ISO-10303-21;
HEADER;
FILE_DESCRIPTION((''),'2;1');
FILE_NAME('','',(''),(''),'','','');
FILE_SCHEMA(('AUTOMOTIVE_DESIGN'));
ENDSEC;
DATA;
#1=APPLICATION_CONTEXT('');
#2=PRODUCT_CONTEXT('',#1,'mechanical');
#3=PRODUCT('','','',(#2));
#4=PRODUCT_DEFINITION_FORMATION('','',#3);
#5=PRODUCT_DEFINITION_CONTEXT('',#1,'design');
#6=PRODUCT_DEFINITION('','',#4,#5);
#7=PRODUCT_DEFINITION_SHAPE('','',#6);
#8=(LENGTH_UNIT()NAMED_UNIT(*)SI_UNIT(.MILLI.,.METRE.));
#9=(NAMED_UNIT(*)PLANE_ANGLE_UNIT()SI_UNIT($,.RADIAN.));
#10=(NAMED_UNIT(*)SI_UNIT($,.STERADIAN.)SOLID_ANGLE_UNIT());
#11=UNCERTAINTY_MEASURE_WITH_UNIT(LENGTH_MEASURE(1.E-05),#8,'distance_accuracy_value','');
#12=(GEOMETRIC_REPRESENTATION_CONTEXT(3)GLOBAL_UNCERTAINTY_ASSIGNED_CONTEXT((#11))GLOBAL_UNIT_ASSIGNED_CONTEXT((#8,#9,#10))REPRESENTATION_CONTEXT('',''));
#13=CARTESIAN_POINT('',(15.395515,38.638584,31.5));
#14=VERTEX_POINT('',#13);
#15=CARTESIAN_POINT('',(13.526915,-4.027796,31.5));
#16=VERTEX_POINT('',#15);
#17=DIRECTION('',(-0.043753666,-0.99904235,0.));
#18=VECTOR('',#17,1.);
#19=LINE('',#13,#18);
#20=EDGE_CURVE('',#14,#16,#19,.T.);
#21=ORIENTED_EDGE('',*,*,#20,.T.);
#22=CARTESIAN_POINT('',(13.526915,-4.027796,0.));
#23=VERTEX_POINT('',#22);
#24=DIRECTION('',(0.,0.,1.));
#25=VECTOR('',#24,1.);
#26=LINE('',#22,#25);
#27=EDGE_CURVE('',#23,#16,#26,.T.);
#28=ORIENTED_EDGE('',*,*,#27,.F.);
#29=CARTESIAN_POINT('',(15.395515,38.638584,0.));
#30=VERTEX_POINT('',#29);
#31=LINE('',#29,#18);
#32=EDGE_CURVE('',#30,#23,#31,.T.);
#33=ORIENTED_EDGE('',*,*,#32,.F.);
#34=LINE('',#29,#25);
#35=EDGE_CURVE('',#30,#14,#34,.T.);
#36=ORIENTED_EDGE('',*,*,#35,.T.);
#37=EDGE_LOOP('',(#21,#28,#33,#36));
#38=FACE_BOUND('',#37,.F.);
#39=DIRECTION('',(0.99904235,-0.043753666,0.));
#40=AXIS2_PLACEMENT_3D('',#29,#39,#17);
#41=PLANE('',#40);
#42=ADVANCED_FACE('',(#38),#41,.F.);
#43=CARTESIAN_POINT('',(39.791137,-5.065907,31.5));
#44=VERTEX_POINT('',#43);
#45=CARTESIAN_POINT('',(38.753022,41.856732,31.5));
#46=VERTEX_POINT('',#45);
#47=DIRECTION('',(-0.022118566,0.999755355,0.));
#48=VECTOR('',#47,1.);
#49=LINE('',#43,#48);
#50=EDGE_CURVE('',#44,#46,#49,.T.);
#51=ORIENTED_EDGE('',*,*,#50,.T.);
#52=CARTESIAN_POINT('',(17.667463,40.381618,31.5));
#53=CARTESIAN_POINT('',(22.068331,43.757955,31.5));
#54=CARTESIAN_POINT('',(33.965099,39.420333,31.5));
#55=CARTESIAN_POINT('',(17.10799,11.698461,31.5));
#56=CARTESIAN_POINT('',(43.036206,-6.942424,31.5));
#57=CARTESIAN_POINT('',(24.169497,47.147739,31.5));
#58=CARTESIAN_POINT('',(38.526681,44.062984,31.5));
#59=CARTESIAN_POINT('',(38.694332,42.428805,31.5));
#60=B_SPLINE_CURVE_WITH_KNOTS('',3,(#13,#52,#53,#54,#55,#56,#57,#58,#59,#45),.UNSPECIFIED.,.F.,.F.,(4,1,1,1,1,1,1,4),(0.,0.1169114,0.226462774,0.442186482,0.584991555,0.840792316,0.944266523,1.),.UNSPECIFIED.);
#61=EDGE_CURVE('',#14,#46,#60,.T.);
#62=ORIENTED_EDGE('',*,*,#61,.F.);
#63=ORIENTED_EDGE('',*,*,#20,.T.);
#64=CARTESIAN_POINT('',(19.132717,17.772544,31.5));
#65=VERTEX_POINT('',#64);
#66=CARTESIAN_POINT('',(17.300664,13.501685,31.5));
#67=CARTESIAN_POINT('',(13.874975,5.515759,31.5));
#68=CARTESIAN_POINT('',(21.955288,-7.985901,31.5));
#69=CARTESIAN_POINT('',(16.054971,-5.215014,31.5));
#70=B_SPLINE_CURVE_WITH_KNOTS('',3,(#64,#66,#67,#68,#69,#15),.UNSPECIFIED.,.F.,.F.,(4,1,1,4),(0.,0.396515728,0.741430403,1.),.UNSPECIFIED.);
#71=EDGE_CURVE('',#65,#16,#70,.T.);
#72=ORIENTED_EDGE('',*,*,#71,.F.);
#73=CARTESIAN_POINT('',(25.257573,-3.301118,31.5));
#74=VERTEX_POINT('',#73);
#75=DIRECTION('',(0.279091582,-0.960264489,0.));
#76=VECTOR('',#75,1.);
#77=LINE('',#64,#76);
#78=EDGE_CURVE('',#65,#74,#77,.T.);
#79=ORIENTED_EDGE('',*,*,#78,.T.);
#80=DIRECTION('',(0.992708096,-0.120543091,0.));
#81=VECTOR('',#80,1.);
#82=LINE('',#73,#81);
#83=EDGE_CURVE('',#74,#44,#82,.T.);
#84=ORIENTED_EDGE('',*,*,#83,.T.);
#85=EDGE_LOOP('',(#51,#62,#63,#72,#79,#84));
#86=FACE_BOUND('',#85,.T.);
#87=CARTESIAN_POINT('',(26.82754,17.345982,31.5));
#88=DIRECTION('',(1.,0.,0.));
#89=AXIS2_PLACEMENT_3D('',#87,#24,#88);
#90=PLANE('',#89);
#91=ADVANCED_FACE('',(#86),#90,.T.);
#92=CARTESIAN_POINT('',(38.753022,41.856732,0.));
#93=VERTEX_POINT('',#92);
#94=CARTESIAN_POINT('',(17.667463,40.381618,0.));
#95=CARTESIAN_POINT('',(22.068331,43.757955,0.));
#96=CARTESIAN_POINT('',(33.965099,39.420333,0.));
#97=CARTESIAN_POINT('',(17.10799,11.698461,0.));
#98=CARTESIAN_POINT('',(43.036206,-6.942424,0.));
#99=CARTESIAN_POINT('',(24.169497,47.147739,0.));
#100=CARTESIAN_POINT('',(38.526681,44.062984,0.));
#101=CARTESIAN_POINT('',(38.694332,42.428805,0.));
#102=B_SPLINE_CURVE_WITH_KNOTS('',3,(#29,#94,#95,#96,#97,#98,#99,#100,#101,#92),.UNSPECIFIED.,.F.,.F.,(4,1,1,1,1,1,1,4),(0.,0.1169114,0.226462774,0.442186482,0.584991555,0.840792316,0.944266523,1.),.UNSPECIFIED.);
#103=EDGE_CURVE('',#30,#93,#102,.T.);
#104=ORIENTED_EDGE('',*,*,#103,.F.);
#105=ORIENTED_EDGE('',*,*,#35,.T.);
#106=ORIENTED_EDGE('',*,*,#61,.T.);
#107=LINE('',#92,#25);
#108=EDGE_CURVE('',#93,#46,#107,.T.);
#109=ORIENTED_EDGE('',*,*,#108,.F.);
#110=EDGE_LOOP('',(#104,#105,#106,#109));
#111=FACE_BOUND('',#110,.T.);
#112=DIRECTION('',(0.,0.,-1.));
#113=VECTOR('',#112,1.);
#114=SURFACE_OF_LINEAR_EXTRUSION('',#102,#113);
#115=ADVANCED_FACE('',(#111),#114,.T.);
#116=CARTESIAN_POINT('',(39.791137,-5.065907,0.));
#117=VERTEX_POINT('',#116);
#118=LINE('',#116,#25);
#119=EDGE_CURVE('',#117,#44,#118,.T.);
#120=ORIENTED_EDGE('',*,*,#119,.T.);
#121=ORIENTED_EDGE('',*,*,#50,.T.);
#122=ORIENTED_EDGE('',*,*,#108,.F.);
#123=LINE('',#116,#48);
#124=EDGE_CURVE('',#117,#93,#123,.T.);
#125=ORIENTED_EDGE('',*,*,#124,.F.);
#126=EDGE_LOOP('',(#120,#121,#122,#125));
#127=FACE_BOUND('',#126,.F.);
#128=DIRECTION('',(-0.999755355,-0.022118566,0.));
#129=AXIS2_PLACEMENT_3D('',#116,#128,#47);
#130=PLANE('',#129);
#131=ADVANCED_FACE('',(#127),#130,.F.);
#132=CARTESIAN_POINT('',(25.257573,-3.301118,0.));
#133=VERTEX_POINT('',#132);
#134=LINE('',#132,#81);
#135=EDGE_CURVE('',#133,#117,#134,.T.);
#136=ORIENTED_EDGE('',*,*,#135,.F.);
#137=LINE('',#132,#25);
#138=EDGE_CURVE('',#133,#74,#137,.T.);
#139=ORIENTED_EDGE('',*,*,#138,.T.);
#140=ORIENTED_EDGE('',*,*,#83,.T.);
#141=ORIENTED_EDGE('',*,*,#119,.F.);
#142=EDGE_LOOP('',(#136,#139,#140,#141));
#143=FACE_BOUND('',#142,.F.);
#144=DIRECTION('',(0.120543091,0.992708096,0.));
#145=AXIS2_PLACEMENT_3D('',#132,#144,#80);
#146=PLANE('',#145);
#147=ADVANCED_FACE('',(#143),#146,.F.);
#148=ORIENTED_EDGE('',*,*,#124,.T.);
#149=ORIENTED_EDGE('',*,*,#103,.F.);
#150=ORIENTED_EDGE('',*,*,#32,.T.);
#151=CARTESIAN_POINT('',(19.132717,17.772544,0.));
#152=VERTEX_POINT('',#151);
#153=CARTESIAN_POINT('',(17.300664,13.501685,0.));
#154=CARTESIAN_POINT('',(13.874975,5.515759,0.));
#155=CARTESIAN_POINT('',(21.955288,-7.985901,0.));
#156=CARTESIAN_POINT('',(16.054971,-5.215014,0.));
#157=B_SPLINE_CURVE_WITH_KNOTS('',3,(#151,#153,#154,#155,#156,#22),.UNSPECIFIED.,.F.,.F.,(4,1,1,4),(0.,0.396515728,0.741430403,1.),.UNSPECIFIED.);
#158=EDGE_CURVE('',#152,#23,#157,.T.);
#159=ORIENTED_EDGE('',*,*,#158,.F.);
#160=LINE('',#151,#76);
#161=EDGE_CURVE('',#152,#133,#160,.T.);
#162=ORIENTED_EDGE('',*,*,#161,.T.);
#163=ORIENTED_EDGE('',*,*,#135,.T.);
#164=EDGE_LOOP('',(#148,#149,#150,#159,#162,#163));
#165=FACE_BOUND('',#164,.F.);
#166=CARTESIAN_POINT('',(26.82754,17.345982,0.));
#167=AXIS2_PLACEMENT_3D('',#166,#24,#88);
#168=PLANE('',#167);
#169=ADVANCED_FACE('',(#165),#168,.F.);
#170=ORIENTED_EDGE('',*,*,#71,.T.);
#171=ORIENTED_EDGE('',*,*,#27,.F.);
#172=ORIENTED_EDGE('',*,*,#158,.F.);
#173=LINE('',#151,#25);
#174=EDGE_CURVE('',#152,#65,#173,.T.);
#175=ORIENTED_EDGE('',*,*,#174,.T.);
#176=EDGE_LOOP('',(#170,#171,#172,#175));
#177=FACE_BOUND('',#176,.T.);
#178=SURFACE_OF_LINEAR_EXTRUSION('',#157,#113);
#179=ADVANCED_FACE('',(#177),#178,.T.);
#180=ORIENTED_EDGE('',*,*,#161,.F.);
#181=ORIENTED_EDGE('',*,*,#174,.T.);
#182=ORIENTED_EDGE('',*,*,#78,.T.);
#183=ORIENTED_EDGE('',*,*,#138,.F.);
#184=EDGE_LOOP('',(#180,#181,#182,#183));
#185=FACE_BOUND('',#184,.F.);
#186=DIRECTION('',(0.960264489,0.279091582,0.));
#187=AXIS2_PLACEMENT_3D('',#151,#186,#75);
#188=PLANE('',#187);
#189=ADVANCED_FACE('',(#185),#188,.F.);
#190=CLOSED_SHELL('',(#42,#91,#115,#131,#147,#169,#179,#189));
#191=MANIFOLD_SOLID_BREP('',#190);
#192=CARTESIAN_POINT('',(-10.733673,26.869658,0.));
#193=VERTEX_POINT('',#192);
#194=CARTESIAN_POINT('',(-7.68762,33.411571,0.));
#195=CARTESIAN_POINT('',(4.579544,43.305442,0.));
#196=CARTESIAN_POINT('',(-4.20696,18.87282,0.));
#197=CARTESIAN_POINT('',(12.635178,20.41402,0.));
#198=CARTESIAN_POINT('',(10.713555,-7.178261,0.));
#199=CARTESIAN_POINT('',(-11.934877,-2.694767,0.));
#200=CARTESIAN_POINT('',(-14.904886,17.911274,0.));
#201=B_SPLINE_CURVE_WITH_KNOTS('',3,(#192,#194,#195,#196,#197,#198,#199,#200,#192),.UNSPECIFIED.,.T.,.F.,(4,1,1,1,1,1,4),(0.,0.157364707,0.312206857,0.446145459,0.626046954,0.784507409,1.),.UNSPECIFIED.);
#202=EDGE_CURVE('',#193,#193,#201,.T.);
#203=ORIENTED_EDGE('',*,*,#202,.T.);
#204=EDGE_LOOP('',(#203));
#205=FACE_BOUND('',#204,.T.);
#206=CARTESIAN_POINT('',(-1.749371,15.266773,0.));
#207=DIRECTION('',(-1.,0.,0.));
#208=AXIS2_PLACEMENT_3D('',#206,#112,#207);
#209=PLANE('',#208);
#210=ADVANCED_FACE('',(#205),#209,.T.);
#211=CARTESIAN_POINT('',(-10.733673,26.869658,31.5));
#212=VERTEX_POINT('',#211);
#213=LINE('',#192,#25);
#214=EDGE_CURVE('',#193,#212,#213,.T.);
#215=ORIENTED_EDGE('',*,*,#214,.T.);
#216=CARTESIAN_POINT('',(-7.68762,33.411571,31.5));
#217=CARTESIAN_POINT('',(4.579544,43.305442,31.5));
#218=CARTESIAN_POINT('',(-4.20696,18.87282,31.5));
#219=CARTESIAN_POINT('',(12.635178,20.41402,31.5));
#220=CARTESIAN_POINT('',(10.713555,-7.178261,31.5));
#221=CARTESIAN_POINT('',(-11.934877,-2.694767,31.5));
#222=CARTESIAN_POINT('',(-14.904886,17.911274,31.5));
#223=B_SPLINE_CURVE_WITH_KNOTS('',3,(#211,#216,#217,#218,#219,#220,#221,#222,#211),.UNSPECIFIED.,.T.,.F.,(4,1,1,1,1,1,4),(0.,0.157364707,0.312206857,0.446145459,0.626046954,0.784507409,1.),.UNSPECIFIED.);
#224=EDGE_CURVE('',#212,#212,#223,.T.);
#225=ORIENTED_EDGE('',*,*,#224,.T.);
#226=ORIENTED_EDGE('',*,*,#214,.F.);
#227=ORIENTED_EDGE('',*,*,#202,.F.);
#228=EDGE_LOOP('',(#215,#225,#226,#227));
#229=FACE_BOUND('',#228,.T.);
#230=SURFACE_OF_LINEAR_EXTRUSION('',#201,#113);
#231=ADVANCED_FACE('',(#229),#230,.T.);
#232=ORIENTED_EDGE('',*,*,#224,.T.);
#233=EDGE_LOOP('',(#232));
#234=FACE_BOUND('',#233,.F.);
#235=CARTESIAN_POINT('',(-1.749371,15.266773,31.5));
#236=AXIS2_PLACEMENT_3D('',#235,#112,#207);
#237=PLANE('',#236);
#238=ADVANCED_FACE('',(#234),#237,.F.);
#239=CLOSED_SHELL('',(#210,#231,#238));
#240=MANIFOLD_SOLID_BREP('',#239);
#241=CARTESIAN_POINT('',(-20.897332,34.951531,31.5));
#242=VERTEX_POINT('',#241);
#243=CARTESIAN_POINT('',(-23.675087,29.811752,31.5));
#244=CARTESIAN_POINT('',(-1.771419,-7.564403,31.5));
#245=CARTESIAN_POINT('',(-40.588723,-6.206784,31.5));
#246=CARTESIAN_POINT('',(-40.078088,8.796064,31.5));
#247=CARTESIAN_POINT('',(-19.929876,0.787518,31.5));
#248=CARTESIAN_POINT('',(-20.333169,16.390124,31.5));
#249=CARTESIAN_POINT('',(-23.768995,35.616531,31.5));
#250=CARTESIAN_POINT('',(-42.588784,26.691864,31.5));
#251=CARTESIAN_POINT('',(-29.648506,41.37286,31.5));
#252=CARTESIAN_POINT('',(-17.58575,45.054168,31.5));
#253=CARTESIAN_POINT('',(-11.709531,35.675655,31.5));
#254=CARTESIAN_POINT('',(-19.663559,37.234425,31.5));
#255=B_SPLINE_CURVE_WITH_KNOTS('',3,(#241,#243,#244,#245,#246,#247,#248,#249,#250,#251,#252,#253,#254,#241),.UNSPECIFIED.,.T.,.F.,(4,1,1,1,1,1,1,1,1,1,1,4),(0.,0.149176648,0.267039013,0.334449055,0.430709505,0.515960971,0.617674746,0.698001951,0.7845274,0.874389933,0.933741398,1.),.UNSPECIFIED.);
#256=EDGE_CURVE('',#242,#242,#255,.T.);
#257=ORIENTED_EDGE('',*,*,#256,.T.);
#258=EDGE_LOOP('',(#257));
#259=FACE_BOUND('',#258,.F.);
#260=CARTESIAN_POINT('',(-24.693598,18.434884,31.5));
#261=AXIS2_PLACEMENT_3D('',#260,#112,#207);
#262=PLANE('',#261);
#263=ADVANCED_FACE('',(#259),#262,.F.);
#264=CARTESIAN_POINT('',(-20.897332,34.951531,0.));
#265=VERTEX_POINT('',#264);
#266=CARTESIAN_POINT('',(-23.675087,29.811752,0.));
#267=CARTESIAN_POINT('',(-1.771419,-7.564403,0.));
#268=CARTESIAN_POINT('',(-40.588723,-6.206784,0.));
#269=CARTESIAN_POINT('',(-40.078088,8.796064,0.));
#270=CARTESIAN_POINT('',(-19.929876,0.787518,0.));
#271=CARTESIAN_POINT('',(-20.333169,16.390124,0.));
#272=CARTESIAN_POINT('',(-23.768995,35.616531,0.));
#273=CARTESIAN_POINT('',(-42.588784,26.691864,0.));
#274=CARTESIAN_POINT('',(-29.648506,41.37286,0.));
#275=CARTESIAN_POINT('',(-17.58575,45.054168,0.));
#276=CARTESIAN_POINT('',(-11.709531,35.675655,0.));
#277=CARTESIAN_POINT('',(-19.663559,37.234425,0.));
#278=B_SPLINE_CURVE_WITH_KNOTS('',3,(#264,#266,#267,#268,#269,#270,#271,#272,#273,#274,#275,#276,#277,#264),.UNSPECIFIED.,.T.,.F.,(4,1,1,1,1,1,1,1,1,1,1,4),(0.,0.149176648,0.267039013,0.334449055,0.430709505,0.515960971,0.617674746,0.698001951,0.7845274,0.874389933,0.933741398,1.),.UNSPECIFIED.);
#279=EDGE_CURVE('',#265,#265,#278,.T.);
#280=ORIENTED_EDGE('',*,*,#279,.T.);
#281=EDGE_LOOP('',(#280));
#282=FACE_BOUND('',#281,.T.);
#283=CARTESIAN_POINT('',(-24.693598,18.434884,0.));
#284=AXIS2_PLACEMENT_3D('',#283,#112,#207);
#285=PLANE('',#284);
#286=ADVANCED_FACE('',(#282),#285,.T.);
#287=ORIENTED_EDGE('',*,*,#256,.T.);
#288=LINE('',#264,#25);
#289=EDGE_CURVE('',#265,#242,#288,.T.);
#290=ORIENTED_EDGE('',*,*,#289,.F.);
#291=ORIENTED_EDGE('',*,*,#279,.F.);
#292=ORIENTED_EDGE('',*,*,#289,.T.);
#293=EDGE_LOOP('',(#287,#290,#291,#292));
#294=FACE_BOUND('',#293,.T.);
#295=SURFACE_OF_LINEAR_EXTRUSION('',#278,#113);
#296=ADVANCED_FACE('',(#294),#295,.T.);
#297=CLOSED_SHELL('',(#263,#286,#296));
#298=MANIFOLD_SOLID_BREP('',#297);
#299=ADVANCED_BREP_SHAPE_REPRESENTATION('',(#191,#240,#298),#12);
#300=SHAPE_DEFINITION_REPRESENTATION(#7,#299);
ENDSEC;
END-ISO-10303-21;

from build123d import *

# Parameters (mm, degrees)
F1_DEPTH = 31.5


with BuildPart() as f1:
    # F0 (on Top) → F1 (new body)
    with BuildSketch(Plane.XY):
        with BuildLine():
            add(Edge.make_bspline(
                [(-10.7336727912, 26.8696584819), (-7.6876199922, 33.4115707143), (4.5795444656, 43.3054421445), (-4.2069600778, 18.8728201318), (12.6351777543, 20.4140199266), (10.7135545376, -7.1782607397), (-11.9348765312, -2.6947670388), (-14.9048864291, 17.9112735416), (-10.7336727912, 26.8696584819)],
                knots=[0, 0, 0, 0, 0.1573647069, 0.3122068566, 0.4461454587, 0.6260469538, 0.7845074085, 1, 1, 1, 1], degree=3))
        make_face()
    extrude(amount=F1_DEPTH)


with BuildPart() as f1b:
    # F0 (on Top) → F1, piece 2 (new body)
    with BuildSketch(Plane.XY):
        with BuildLine():
            Line((15.395514667, 38.6385843158), (13.5269146413, -4.0277959779))
            add(Edge.make_bspline(
                [(19.1327165812, 17.7725441754), (17.3006639119, 13.501684665), (13.8749749652, 5.515759117), (21.9552878297, -7.9859005755), (16.0549713447, -5.2150135628), (13.5269146413, -4.0277959779)],
                knots=[0, 0, 0, 0, 0.3965157285, 0.7414304026, 1, 1, 1, 1], degree=3))
            Line((19.1327165812, 17.7725441754), (25.2575725317, -3.301117802))
            Line((25.2575725317, -3.301117802), (39.7911369801, -5.0659072585))
            Line((39.7911369801, -5.0659072585), (38.7530215085, 41.8567322195))
            add(Edge.make_bspline(
                [(15.395514667, 38.6385843158), (17.6674626226, 40.3816181426), (22.0683306057, 43.7579550623), (33.9650989363, 39.4203325873), (17.1079900728, 11.698460694), (43.0362063341, -6.9424236306), (24.1694967026, 47.1477393794), (38.5266813074, 44.0629838261), (38.6943323008, 42.4288054), (38.7530215085, 41.8567322195)],
                knots=[0, 0, 0, 0, 0.1169114001, 0.2264627744, 0.4421864825, 0.584991555, 0.840792316, 0.9442665227, 1, 1, 1, 1], degree=3))
        make_face()
    extrude(amount=F1_DEPTH)


with BuildPart() as f1c:
    # F0 (on Top) → F1, piece 3 (new body)
    with BuildSketch(Plane.XY):
        with BuildLine():
            add(Edge.make_bspline(
                [(-20.8973321877, 34.9515308247), (-23.6750868666, 29.8117521341), (-1.7714186272, -7.5644029405), (-40.5887230017, -6.2067835466), (-40.0780877923, 8.7960644031), (-19.9298755041, 0.7875181387), (-20.3331693885, 16.3901235805), (-23.7689952321, 35.6165307007), (-42.5887844976, 26.691863846), (-29.6485059643, 41.3728602417), (-17.5857501858, 45.0541679176), (-11.7095313138, 35.6756552025), (-19.6635590413, 37.2344253419), (-20.8973321877, 34.9515308247)],
                knots=[0, 0, 0, 0, 0.1491766478, 0.2670390127, 0.3344490549, 0.4307095055, 0.5159609709, 0.6176747464, 0.6980019511, 0.7845273996, 0.8743899331, 0.9337413979, 1, 1, 1, 1], degree=3))
        make_face()
    extrude(amount=F1_DEPTH)


solid = Compound([f1.part, f1b.part, f1c.part])
